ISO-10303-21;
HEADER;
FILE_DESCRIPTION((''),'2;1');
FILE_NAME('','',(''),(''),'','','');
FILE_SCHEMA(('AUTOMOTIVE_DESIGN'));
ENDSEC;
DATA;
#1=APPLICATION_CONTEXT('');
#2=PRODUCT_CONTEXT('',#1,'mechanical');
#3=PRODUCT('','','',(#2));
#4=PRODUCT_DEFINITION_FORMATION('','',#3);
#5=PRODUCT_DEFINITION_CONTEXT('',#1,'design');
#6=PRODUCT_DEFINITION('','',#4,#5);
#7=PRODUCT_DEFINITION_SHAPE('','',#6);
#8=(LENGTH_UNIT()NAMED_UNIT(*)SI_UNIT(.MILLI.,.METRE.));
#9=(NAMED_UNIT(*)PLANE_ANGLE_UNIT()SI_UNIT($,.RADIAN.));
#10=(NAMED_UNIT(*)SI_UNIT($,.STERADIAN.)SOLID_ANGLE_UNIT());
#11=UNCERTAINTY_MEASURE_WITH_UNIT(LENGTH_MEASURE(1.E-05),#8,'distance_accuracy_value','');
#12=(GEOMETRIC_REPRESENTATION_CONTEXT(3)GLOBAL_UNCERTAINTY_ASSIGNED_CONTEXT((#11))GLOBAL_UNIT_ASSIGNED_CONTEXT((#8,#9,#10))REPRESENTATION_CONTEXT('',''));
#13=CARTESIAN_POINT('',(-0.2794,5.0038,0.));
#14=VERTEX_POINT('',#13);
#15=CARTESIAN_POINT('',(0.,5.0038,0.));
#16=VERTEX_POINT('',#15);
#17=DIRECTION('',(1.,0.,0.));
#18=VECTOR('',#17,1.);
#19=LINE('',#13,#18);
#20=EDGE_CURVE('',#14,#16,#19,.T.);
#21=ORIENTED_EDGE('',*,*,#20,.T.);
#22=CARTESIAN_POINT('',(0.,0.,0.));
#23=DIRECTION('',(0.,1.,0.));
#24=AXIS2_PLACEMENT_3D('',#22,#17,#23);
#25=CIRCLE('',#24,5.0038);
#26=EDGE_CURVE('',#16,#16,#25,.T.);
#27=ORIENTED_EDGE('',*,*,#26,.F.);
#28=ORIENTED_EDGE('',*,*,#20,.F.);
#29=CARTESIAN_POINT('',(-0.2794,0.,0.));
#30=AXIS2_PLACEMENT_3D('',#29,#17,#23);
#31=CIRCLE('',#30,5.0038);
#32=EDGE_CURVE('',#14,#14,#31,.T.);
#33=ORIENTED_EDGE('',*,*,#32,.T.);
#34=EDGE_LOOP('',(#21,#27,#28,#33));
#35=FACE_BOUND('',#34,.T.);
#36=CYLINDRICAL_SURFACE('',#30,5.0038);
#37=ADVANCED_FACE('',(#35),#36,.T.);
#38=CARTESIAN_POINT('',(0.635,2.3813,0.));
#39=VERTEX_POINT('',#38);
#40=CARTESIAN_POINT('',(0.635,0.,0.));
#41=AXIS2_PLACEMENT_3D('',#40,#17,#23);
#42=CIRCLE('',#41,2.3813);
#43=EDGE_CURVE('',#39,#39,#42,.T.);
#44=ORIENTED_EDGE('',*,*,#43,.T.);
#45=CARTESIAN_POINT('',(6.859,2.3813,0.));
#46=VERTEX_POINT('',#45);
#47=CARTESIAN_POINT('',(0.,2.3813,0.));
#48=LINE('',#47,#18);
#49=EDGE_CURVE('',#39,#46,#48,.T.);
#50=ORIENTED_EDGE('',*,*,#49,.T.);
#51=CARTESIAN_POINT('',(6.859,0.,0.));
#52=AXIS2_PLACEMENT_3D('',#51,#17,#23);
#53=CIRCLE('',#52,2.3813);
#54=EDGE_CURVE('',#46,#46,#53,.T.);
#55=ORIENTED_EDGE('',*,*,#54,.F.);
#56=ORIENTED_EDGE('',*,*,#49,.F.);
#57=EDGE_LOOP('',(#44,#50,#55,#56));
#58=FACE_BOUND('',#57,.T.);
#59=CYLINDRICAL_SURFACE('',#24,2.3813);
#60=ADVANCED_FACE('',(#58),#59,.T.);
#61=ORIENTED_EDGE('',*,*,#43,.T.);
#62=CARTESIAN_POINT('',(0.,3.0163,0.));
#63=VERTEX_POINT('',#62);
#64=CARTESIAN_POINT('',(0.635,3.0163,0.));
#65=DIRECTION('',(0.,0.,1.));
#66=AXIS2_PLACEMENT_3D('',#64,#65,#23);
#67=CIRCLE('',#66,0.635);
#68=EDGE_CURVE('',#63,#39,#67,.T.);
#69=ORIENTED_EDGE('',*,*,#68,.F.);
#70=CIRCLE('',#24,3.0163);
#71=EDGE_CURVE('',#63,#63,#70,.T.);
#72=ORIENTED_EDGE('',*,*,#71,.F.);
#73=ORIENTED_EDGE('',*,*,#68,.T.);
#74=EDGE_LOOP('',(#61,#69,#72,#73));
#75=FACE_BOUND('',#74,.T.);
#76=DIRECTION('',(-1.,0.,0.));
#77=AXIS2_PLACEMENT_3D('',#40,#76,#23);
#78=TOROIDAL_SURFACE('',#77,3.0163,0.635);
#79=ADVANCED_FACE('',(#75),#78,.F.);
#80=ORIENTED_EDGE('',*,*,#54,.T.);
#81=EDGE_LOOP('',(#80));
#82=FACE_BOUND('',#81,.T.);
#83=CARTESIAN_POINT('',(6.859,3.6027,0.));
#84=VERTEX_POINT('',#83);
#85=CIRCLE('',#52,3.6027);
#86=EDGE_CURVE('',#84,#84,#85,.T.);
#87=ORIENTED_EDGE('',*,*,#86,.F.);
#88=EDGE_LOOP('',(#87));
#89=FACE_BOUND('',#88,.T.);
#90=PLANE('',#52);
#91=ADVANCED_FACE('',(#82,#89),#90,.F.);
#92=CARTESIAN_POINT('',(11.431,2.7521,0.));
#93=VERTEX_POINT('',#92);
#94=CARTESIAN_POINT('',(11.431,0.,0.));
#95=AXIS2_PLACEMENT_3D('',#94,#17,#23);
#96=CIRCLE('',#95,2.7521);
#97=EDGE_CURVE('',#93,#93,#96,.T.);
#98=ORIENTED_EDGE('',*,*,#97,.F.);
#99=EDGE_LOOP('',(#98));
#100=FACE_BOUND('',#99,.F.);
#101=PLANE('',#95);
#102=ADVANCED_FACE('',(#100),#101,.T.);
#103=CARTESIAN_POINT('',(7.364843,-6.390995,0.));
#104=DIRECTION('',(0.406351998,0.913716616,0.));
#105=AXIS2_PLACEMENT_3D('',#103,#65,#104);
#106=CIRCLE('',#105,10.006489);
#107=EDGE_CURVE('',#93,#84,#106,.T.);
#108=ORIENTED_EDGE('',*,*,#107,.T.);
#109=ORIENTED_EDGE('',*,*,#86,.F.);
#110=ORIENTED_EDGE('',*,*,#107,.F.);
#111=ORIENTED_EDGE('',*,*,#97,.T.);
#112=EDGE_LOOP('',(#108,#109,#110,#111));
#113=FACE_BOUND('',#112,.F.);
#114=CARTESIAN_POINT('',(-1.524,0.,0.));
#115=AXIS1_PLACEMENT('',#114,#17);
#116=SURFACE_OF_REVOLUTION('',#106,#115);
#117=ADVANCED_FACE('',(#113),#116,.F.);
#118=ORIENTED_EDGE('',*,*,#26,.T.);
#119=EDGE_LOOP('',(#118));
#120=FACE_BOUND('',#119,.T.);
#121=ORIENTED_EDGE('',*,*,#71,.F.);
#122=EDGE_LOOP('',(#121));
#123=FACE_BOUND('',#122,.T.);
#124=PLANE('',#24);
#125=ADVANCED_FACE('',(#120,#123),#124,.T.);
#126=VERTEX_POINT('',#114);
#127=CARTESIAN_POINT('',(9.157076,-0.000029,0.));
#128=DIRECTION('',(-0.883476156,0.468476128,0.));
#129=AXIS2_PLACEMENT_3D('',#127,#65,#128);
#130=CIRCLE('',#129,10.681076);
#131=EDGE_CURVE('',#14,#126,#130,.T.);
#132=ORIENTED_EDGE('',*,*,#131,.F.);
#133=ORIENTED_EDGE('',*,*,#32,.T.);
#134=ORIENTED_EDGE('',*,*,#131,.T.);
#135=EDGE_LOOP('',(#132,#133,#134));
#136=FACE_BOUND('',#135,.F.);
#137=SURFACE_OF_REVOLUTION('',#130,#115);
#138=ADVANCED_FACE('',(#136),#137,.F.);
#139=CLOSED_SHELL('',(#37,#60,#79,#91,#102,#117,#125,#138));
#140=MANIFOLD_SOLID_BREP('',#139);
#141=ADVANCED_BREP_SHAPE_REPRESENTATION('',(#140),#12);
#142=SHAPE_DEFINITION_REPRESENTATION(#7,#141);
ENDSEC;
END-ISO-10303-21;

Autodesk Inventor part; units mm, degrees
ref_plane "YZ Plane" through (0, 0, 0) normal (1, 0, 0) x (0, 1, 0)
ref_plane "XZ Plane" through (0, 0, 0) normal (0, 1, 0) x (-1, 0, 0)
ref_plane "XY Plane" through (0, 0, 0) normal (0, 0, 1) x (1, 0, 0)
sketch "Sketch1" plane through (0, 0, 0) normal (0, 0, 1) x (1, 0, 0)
  line L0 (-0.2794, 5.0038) -> (0, 5.0038)
  line L1 (0, 5.0038) -> (0, 2.3813)
  line L2 (0, 2.3813) -> (6.859, 2.3813)
  line L3 (6.859, 2.3813) -> (6.859, 3.6027)
  line L4 (-1.524, 0) -> (11.431, 0)
  arc A0 (-0.2794, 5.0038) -> (-1.524, 0) centre (9.157, 0) ccw
  line L5 (11.431, 0) -> (11.431, 2.7521)
  arc A1 (11.431, 2.7521) -> (6.859, 3.6027) centre (7.3645, -6.3921) ccw
  line L6 (-4.4928, 0) -> (14.1434, 0) projected
  line L7 (0, -8.6865) -> (0, 7.3745) projected
  dimension "d0" = 10.0076
  dimension "d1" = 4.7625
  dimension "d2" = 7.2055
  dimension "d3" = 5.5042
  dimension "d4" = 10.0076
  dimension "d5" = 4.572
  dimension "d6" = 6.859
  dimension "d7" = 0.2794
  dimension "d8" = 1.524
revolve "Body" add sketch "Sketch1" angle 360 about axis through (-1.524, 0, 0) along (1, 0, 0)
fillet "Fillet1" radius 0.635 1 edges at (0, -2.3812, 0)
equation "\"d10\" = R1"
equation "\"d0\" = KOD"
equation "\"d1\" = NND"
equation "\"d2\" = 0.72 * KOD"
equation "\"d3\" = 0.55 * KOD"
equation "\"d4\" = KOD"
equation "\"d5\" = 3 * KOH"
equation "\"d7\" = PHH"
equation "\"d8\" = KOH"
equation "\"NND\" = 4.7625"
equation "\"KLG\" = 6.858"
equation "\"KOH\" = 1.524"
equation "\"KOD\" = 10.0076"
equation "\"PHH\" = 0.2794"
equation "\"R1\" = 0.635"
equation "\"BOR\" = 2.8956"
equation "\"KLGMAX\" = 9.525"
equation "\"KLGMIN\" = 6.3754"
properties part number "IFI 114 - 66" material "Steel, Mild"
